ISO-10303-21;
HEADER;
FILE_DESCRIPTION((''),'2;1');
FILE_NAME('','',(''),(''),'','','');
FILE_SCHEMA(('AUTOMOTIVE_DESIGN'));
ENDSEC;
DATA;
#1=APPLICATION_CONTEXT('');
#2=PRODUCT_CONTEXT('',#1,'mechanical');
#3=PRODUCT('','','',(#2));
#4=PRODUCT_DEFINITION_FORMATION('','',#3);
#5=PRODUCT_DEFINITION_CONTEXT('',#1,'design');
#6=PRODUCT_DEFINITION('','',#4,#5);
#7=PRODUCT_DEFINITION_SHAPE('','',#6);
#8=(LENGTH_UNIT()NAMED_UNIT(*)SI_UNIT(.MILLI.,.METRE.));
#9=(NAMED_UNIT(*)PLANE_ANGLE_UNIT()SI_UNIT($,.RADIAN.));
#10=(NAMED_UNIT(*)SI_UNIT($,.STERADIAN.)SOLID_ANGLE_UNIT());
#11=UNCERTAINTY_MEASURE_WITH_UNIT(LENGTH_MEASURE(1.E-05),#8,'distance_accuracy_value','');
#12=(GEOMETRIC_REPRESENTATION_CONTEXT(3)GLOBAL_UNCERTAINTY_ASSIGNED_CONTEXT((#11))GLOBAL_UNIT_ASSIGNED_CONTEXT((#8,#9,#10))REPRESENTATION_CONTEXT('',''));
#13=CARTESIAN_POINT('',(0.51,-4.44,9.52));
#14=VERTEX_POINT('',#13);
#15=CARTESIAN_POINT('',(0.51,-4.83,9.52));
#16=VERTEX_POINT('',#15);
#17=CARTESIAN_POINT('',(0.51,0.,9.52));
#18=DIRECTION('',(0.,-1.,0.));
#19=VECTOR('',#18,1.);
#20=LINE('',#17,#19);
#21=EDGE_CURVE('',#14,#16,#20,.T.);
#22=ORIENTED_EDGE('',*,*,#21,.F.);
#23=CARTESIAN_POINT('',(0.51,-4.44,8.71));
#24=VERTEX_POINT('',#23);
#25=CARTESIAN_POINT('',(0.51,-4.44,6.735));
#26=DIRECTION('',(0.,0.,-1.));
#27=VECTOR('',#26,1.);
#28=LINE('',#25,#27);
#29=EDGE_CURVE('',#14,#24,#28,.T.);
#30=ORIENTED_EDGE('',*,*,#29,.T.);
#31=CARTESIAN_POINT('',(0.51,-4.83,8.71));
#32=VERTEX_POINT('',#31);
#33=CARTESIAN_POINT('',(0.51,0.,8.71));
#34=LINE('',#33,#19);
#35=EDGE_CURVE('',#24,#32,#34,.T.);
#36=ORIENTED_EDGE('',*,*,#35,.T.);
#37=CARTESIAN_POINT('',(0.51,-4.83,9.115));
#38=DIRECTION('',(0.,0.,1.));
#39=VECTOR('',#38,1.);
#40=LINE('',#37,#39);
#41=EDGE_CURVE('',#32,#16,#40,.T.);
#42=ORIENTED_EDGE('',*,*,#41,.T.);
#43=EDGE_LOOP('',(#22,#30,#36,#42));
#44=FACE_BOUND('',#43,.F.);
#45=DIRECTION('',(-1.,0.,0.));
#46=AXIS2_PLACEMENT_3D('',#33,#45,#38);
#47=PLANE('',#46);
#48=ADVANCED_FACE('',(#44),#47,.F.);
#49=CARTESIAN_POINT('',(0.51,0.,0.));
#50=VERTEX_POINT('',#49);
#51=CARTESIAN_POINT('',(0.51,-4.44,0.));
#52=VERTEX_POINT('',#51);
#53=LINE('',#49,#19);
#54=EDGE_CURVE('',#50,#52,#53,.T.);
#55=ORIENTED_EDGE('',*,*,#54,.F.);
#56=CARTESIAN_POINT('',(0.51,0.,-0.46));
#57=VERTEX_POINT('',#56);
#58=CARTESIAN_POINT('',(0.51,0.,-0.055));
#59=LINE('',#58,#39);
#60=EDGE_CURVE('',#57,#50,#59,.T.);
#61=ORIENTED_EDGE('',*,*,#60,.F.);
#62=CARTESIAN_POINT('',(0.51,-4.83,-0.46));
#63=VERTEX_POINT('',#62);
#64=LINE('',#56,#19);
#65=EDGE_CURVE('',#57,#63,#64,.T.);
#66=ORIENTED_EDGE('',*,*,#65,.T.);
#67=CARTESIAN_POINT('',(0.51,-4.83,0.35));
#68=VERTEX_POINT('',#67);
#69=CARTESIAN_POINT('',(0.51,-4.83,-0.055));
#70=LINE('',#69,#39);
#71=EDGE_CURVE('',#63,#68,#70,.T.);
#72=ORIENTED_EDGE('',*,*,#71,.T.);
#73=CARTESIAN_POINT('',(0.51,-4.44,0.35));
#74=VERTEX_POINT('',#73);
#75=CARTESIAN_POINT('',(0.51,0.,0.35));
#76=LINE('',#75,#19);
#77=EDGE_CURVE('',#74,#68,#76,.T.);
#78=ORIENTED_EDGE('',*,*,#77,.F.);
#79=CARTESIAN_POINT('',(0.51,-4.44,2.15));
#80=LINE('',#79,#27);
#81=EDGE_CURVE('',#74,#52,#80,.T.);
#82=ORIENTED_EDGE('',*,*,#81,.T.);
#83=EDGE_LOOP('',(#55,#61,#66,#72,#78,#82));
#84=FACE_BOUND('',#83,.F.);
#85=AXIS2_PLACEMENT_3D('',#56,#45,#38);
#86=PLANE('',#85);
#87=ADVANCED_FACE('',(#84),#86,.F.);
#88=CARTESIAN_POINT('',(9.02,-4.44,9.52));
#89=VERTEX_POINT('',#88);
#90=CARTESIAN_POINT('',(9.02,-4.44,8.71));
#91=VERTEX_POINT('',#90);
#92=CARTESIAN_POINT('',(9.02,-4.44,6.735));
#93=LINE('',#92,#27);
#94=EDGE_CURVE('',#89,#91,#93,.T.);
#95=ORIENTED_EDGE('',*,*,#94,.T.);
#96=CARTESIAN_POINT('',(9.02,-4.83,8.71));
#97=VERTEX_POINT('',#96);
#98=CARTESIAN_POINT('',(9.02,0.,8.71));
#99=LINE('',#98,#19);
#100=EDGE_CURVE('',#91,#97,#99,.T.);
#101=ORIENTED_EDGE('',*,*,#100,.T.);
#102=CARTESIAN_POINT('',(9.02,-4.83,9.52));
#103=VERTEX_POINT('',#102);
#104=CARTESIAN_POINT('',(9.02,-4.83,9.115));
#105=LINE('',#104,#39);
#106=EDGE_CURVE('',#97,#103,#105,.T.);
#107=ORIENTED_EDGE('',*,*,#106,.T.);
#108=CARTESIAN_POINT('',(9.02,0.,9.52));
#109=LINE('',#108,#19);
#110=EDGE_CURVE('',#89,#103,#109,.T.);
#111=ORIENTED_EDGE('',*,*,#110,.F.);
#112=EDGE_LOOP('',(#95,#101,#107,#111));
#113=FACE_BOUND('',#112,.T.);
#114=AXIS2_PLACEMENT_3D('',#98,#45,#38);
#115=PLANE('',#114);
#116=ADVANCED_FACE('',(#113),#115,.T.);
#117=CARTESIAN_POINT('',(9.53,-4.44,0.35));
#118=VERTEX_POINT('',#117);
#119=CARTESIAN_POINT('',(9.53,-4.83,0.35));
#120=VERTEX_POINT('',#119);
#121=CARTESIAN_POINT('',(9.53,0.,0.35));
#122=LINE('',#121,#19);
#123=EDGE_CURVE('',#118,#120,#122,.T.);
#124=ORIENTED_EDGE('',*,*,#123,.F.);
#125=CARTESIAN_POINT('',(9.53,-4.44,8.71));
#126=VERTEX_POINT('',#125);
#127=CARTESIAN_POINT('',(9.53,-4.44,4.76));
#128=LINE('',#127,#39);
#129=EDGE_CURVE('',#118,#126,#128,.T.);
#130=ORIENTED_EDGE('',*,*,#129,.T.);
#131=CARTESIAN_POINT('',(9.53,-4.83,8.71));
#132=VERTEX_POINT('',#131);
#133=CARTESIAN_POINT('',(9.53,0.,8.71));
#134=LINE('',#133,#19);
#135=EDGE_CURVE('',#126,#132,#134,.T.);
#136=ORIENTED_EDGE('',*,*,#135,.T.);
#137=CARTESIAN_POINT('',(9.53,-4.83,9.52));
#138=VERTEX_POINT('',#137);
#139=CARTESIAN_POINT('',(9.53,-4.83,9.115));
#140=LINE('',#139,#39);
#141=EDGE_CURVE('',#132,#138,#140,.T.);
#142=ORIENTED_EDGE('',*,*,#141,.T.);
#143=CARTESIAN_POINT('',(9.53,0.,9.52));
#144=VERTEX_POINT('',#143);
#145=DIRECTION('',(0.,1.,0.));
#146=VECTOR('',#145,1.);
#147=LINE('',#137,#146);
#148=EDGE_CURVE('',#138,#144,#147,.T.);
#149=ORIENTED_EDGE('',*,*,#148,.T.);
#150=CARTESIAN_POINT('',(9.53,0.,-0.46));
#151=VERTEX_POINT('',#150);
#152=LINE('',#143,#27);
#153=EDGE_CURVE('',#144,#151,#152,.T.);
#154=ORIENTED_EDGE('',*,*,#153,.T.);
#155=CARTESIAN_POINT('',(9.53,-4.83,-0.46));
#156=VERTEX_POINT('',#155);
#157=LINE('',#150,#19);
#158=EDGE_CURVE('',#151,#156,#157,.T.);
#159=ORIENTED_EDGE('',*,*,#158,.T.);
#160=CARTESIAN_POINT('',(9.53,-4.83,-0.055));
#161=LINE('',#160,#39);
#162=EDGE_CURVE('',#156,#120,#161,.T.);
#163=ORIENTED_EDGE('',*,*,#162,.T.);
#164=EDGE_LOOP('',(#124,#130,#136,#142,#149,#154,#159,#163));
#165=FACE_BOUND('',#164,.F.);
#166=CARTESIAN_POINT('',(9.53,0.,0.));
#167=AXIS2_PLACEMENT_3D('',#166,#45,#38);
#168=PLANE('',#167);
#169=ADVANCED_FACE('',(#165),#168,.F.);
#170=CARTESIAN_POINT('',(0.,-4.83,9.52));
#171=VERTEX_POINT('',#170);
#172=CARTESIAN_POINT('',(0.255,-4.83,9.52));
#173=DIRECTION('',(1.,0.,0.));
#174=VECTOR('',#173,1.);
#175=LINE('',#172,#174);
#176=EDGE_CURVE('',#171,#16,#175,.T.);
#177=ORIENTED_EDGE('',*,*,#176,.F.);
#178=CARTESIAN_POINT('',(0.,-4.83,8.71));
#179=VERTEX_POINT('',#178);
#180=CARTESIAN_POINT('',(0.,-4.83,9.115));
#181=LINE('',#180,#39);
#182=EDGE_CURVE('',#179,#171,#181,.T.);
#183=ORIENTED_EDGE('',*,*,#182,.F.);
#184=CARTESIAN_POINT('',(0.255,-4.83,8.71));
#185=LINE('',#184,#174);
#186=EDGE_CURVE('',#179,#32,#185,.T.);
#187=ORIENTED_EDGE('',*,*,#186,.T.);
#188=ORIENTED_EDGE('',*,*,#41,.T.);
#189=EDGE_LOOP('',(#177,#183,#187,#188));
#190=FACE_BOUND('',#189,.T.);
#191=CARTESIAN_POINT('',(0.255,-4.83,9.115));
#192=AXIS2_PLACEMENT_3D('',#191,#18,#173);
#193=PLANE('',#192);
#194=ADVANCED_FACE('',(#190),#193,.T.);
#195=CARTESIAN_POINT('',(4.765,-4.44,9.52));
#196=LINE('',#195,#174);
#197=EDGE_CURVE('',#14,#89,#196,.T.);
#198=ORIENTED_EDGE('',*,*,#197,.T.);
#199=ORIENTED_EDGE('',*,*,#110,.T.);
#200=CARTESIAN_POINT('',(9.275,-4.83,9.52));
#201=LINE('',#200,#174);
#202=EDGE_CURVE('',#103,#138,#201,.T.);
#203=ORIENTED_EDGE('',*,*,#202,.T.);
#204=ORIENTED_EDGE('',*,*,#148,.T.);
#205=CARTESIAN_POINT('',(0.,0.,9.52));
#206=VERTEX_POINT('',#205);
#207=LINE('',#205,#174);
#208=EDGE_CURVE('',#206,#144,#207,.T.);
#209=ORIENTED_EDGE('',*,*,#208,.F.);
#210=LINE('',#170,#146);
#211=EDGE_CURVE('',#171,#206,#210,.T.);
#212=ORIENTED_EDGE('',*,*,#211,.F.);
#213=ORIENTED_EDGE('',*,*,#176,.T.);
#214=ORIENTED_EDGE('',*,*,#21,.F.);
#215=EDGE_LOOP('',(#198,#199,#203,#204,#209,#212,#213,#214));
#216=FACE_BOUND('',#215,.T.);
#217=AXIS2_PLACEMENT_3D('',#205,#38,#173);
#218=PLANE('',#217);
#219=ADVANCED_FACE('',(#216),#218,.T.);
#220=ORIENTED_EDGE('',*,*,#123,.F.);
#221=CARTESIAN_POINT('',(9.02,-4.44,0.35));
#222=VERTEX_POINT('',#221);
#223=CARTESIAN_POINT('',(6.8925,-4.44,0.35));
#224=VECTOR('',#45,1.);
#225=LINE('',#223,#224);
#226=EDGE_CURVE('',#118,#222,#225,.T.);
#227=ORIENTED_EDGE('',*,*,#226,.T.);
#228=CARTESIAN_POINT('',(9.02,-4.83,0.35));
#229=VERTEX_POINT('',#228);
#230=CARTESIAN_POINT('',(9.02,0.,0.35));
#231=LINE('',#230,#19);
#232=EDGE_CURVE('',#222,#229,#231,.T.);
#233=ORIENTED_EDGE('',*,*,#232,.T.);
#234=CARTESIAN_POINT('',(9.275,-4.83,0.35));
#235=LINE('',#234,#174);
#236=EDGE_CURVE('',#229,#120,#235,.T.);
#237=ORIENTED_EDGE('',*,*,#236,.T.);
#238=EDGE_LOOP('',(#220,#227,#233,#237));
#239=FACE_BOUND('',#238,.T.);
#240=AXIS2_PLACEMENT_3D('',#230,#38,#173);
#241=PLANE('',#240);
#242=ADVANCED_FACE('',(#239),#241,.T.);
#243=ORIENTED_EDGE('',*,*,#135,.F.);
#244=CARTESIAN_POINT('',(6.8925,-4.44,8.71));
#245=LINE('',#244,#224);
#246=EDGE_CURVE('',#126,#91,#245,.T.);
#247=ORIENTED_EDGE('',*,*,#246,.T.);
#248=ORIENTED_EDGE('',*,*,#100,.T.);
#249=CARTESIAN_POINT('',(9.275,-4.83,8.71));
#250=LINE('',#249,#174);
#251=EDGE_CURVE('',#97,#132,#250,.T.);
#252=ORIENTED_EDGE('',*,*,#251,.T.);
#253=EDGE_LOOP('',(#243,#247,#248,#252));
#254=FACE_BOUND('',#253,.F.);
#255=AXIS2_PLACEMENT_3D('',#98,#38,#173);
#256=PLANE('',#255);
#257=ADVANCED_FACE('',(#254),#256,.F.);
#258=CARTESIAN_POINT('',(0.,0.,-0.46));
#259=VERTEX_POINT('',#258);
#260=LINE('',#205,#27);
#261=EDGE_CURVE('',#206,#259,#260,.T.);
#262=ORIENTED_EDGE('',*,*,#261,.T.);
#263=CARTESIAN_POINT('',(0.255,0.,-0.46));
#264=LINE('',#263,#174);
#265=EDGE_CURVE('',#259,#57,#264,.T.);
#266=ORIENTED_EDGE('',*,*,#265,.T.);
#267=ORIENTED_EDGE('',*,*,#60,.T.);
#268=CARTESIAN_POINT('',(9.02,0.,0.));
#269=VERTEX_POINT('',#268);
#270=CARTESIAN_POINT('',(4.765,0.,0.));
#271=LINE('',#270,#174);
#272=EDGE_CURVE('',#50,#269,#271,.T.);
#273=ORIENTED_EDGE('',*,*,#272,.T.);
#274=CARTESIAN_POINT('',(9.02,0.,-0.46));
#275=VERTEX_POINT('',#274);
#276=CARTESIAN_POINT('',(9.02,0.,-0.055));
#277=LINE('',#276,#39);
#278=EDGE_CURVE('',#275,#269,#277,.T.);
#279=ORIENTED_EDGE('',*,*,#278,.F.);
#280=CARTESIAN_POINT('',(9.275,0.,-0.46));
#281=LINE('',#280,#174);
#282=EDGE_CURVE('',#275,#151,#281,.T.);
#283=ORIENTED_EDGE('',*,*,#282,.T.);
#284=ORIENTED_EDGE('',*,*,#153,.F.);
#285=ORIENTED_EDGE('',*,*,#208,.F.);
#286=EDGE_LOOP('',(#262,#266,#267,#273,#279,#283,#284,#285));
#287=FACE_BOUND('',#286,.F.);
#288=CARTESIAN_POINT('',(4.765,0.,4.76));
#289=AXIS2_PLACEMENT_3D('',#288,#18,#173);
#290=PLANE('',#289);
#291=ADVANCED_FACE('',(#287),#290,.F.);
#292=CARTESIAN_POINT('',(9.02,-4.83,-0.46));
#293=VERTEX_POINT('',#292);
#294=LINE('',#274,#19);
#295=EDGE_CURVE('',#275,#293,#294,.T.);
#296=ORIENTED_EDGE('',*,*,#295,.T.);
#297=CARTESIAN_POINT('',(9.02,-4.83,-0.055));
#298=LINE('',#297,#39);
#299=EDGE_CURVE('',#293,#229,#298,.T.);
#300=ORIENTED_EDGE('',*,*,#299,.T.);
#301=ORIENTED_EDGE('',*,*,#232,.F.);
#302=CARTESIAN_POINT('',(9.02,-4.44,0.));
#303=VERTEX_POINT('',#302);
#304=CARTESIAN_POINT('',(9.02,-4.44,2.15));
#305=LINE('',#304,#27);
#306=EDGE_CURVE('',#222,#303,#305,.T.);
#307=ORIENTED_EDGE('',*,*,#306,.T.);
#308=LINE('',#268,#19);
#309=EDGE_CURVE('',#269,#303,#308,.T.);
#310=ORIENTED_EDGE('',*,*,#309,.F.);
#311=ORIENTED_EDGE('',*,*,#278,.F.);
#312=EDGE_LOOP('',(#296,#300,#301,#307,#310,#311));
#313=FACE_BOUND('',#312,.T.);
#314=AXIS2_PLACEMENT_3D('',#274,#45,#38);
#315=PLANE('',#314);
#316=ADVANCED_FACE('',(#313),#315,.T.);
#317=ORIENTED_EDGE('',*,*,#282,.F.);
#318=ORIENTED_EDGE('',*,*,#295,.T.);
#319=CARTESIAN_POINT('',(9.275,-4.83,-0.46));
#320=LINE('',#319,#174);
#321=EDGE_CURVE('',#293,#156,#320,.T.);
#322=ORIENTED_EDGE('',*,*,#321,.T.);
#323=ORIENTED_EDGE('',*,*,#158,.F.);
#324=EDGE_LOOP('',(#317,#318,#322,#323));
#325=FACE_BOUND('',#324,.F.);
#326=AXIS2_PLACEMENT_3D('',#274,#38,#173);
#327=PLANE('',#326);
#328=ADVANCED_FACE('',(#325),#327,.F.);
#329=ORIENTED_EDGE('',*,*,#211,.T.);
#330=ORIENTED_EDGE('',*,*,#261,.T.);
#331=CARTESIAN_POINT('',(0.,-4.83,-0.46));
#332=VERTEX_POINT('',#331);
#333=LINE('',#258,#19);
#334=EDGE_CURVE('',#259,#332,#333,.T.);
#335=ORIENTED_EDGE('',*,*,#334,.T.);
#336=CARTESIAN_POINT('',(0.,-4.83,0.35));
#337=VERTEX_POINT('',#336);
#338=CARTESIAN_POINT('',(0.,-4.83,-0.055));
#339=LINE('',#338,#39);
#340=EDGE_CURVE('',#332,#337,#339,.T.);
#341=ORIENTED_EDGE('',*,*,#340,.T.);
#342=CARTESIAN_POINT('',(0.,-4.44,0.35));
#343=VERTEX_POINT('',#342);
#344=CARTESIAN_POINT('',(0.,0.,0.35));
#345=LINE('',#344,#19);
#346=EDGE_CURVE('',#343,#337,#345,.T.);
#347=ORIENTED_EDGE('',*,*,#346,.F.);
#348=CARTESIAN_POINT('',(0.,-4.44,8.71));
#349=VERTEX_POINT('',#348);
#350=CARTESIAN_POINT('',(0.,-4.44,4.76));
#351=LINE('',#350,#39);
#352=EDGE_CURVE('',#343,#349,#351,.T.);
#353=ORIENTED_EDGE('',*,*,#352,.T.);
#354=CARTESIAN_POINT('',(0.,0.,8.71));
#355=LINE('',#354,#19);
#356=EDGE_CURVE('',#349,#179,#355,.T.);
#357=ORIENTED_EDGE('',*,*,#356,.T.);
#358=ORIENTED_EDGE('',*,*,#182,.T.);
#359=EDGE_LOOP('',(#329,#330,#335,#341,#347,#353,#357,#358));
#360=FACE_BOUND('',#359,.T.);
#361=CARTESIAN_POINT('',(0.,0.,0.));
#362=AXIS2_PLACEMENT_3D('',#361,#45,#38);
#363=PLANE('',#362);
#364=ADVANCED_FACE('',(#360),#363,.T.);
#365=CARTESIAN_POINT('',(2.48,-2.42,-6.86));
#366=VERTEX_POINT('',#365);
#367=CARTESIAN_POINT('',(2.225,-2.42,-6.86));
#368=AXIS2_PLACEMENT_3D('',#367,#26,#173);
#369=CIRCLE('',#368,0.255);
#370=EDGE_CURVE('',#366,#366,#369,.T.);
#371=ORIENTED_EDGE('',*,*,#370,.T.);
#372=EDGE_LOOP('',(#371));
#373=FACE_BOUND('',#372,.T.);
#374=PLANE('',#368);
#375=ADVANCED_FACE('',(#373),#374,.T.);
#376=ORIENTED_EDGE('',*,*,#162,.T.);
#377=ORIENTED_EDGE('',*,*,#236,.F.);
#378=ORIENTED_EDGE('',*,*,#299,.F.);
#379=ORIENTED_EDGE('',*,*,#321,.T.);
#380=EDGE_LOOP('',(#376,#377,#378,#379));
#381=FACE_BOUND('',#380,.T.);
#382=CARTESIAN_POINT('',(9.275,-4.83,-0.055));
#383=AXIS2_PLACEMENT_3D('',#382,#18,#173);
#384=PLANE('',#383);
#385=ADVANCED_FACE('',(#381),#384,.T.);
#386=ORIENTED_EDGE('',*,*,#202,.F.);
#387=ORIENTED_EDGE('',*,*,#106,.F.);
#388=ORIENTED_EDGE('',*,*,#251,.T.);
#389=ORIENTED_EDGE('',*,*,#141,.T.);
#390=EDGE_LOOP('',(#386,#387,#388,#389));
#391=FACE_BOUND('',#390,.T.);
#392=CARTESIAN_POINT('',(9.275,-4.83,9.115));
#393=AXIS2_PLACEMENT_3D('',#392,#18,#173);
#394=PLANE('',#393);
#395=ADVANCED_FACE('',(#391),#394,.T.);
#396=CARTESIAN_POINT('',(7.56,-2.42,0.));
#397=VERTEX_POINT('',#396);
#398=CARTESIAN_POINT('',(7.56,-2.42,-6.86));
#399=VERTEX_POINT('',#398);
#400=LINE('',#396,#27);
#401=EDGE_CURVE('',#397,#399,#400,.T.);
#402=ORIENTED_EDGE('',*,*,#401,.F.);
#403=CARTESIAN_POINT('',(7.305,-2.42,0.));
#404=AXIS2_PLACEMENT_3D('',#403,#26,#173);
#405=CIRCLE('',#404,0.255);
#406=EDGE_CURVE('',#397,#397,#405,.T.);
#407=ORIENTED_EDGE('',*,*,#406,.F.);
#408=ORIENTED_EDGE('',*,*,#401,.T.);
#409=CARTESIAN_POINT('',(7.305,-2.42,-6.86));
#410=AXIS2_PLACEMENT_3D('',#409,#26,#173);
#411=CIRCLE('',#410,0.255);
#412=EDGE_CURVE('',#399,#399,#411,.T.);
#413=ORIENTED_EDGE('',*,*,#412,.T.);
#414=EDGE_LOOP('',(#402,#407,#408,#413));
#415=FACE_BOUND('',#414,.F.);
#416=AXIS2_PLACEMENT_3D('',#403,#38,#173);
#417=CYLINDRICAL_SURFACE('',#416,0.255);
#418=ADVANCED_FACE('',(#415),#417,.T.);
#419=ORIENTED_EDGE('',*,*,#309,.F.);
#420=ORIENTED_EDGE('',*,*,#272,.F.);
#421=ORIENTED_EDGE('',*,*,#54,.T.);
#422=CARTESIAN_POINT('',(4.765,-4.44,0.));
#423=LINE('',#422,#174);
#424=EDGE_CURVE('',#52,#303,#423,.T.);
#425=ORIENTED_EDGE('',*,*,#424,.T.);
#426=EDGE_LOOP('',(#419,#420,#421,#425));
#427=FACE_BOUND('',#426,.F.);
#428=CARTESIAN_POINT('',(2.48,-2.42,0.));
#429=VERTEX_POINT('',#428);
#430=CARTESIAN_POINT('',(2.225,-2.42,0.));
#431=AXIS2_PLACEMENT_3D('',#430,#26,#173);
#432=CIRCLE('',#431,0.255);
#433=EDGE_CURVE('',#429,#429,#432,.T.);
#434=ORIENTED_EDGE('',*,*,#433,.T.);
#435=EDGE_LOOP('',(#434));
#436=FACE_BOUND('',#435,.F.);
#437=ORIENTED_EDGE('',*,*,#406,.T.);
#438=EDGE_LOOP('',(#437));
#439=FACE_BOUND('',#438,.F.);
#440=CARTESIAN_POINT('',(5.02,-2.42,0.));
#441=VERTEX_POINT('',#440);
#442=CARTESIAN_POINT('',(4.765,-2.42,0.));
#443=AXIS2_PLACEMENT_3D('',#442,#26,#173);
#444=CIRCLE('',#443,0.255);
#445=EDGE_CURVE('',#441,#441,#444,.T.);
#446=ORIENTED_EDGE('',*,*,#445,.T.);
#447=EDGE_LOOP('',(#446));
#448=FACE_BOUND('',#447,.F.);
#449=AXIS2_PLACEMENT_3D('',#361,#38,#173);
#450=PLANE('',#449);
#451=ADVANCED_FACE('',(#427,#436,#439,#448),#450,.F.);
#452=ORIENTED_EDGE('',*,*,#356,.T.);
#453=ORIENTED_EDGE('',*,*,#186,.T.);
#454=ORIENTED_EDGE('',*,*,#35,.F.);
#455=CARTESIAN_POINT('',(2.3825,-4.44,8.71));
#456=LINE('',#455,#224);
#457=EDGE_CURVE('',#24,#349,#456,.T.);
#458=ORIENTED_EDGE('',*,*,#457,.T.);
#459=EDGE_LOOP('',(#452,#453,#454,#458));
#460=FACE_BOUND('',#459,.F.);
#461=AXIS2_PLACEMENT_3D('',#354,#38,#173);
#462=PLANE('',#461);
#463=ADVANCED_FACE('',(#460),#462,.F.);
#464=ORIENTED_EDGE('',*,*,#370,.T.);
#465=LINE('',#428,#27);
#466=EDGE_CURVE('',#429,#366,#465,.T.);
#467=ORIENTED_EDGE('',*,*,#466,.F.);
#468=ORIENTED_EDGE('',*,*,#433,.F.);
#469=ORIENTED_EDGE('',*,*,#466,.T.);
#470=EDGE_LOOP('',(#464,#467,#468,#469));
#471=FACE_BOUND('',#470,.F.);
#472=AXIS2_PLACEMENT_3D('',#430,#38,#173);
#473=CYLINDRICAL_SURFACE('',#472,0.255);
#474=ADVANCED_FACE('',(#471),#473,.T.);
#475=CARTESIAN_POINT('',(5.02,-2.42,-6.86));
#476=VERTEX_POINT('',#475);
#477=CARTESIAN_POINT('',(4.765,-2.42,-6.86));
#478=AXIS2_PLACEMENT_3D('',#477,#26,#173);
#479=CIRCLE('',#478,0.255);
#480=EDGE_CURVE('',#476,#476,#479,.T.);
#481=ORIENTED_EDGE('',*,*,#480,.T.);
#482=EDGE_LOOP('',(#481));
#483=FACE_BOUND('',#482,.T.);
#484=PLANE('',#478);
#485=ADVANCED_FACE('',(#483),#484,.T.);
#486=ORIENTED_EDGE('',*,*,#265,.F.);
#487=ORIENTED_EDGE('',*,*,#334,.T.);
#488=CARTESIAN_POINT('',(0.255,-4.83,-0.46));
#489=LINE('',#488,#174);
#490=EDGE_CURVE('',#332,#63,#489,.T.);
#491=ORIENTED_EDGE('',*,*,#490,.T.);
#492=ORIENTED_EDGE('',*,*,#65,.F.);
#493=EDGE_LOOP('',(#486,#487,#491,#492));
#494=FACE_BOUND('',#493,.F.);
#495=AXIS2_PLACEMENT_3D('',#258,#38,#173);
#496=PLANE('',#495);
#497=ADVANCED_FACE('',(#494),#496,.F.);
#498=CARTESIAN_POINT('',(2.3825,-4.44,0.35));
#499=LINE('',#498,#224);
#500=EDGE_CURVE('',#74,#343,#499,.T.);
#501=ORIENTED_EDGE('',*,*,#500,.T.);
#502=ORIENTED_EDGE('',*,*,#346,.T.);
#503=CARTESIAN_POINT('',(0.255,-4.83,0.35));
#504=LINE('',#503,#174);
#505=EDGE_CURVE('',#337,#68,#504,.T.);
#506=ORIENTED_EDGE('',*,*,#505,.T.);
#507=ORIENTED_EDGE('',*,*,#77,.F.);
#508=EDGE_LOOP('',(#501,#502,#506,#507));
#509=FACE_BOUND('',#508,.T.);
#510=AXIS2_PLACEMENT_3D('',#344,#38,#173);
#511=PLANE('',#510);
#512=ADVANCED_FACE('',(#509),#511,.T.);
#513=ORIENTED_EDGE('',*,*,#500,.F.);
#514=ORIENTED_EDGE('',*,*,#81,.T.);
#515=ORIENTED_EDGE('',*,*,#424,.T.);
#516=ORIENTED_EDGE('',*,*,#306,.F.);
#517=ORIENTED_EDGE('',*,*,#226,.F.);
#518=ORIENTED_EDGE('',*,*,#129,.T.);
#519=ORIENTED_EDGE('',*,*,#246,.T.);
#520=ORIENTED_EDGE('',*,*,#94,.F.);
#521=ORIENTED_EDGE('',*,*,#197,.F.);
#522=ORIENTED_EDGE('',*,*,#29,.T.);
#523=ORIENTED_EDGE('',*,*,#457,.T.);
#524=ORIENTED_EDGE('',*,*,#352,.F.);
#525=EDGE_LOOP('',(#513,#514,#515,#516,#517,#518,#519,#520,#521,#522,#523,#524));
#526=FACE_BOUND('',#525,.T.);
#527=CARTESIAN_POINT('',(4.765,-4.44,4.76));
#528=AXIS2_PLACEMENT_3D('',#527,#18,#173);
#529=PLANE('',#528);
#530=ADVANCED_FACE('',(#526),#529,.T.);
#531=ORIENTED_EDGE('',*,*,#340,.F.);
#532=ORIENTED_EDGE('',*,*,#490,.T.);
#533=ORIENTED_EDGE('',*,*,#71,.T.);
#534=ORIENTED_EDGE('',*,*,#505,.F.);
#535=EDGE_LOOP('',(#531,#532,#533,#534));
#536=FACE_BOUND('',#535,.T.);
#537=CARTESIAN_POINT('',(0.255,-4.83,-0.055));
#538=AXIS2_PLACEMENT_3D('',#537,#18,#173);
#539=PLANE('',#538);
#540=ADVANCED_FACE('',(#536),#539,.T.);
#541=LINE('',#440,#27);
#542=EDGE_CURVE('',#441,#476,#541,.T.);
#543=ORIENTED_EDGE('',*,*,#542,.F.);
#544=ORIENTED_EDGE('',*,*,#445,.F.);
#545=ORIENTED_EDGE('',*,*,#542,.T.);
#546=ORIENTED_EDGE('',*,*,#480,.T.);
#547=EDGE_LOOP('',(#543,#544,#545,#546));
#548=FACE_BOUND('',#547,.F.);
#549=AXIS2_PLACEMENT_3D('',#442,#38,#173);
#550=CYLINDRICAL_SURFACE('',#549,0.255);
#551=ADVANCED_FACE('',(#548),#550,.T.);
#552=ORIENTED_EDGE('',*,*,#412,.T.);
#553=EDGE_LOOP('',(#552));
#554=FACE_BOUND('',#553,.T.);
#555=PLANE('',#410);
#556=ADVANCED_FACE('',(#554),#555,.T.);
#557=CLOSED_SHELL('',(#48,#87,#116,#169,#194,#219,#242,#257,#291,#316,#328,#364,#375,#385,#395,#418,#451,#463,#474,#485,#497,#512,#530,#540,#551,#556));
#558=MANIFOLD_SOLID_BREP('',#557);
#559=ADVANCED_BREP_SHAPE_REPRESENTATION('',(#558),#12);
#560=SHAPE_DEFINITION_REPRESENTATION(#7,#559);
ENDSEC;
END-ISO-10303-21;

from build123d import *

# Parameters (mm, degrees)
SKETCH_W     = 9.53
SKETCH_H     = 9.52
PAD_DEPTH    = 4.44
SKETCH001_W  = 0.51
SKETCH001_H  = 0.81
PAD001_DEPTH = 4.83
SKETCH004_R  = 0.255
PAD003_DEPTH = 6.86


with BuildPart() as part:
    # Sketch → Pad (new body)
    with BuildSketch(Plane.XZ):
        with Locations((4.765, 4.76)):
            Rectangle(SKETCH_W, SKETCH_H)
    extrude(amount=PAD_DEPTH)

    # Sketch001 → Pad001 (join)
    with BuildSketch(Plane.XZ):
        with Locations((0.255, 9.115)):
            Rectangle(SKETCH001_W, SKETCH001_H)
        with Locations((9.275, 9.115)):
            Rectangle(SKETCH001_W, SKETCH001_H)
        with Locations((9.275, -0.055)):
            Rectangle(SKETCH001_W, SKETCH001_H)
        with Locations((0.255, -0.055)):
            Rectangle(SKETCH001_W, SKETCH001_H)
    extrude(amount=PAD001_DEPTH)

    # Sketch004 (on Face19 of Pad001) → Pad003 (join)
    with BuildSketch(Plane(origin=(0, 0, 0), x_dir=(1, 0, 0), z_dir=(0, 0, -1))):
        with Locations((2.225, 2.42)):
            Circle(SKETCH004_R)
        with Locations((4.765, 2.42)):
            Circle(SKETCH004_R)
        with Locations((7.305, 2.42)):
            Circle(SKETCH004_R)
    extrude(amount=PAD003_DEPTH)


solid = part.part
